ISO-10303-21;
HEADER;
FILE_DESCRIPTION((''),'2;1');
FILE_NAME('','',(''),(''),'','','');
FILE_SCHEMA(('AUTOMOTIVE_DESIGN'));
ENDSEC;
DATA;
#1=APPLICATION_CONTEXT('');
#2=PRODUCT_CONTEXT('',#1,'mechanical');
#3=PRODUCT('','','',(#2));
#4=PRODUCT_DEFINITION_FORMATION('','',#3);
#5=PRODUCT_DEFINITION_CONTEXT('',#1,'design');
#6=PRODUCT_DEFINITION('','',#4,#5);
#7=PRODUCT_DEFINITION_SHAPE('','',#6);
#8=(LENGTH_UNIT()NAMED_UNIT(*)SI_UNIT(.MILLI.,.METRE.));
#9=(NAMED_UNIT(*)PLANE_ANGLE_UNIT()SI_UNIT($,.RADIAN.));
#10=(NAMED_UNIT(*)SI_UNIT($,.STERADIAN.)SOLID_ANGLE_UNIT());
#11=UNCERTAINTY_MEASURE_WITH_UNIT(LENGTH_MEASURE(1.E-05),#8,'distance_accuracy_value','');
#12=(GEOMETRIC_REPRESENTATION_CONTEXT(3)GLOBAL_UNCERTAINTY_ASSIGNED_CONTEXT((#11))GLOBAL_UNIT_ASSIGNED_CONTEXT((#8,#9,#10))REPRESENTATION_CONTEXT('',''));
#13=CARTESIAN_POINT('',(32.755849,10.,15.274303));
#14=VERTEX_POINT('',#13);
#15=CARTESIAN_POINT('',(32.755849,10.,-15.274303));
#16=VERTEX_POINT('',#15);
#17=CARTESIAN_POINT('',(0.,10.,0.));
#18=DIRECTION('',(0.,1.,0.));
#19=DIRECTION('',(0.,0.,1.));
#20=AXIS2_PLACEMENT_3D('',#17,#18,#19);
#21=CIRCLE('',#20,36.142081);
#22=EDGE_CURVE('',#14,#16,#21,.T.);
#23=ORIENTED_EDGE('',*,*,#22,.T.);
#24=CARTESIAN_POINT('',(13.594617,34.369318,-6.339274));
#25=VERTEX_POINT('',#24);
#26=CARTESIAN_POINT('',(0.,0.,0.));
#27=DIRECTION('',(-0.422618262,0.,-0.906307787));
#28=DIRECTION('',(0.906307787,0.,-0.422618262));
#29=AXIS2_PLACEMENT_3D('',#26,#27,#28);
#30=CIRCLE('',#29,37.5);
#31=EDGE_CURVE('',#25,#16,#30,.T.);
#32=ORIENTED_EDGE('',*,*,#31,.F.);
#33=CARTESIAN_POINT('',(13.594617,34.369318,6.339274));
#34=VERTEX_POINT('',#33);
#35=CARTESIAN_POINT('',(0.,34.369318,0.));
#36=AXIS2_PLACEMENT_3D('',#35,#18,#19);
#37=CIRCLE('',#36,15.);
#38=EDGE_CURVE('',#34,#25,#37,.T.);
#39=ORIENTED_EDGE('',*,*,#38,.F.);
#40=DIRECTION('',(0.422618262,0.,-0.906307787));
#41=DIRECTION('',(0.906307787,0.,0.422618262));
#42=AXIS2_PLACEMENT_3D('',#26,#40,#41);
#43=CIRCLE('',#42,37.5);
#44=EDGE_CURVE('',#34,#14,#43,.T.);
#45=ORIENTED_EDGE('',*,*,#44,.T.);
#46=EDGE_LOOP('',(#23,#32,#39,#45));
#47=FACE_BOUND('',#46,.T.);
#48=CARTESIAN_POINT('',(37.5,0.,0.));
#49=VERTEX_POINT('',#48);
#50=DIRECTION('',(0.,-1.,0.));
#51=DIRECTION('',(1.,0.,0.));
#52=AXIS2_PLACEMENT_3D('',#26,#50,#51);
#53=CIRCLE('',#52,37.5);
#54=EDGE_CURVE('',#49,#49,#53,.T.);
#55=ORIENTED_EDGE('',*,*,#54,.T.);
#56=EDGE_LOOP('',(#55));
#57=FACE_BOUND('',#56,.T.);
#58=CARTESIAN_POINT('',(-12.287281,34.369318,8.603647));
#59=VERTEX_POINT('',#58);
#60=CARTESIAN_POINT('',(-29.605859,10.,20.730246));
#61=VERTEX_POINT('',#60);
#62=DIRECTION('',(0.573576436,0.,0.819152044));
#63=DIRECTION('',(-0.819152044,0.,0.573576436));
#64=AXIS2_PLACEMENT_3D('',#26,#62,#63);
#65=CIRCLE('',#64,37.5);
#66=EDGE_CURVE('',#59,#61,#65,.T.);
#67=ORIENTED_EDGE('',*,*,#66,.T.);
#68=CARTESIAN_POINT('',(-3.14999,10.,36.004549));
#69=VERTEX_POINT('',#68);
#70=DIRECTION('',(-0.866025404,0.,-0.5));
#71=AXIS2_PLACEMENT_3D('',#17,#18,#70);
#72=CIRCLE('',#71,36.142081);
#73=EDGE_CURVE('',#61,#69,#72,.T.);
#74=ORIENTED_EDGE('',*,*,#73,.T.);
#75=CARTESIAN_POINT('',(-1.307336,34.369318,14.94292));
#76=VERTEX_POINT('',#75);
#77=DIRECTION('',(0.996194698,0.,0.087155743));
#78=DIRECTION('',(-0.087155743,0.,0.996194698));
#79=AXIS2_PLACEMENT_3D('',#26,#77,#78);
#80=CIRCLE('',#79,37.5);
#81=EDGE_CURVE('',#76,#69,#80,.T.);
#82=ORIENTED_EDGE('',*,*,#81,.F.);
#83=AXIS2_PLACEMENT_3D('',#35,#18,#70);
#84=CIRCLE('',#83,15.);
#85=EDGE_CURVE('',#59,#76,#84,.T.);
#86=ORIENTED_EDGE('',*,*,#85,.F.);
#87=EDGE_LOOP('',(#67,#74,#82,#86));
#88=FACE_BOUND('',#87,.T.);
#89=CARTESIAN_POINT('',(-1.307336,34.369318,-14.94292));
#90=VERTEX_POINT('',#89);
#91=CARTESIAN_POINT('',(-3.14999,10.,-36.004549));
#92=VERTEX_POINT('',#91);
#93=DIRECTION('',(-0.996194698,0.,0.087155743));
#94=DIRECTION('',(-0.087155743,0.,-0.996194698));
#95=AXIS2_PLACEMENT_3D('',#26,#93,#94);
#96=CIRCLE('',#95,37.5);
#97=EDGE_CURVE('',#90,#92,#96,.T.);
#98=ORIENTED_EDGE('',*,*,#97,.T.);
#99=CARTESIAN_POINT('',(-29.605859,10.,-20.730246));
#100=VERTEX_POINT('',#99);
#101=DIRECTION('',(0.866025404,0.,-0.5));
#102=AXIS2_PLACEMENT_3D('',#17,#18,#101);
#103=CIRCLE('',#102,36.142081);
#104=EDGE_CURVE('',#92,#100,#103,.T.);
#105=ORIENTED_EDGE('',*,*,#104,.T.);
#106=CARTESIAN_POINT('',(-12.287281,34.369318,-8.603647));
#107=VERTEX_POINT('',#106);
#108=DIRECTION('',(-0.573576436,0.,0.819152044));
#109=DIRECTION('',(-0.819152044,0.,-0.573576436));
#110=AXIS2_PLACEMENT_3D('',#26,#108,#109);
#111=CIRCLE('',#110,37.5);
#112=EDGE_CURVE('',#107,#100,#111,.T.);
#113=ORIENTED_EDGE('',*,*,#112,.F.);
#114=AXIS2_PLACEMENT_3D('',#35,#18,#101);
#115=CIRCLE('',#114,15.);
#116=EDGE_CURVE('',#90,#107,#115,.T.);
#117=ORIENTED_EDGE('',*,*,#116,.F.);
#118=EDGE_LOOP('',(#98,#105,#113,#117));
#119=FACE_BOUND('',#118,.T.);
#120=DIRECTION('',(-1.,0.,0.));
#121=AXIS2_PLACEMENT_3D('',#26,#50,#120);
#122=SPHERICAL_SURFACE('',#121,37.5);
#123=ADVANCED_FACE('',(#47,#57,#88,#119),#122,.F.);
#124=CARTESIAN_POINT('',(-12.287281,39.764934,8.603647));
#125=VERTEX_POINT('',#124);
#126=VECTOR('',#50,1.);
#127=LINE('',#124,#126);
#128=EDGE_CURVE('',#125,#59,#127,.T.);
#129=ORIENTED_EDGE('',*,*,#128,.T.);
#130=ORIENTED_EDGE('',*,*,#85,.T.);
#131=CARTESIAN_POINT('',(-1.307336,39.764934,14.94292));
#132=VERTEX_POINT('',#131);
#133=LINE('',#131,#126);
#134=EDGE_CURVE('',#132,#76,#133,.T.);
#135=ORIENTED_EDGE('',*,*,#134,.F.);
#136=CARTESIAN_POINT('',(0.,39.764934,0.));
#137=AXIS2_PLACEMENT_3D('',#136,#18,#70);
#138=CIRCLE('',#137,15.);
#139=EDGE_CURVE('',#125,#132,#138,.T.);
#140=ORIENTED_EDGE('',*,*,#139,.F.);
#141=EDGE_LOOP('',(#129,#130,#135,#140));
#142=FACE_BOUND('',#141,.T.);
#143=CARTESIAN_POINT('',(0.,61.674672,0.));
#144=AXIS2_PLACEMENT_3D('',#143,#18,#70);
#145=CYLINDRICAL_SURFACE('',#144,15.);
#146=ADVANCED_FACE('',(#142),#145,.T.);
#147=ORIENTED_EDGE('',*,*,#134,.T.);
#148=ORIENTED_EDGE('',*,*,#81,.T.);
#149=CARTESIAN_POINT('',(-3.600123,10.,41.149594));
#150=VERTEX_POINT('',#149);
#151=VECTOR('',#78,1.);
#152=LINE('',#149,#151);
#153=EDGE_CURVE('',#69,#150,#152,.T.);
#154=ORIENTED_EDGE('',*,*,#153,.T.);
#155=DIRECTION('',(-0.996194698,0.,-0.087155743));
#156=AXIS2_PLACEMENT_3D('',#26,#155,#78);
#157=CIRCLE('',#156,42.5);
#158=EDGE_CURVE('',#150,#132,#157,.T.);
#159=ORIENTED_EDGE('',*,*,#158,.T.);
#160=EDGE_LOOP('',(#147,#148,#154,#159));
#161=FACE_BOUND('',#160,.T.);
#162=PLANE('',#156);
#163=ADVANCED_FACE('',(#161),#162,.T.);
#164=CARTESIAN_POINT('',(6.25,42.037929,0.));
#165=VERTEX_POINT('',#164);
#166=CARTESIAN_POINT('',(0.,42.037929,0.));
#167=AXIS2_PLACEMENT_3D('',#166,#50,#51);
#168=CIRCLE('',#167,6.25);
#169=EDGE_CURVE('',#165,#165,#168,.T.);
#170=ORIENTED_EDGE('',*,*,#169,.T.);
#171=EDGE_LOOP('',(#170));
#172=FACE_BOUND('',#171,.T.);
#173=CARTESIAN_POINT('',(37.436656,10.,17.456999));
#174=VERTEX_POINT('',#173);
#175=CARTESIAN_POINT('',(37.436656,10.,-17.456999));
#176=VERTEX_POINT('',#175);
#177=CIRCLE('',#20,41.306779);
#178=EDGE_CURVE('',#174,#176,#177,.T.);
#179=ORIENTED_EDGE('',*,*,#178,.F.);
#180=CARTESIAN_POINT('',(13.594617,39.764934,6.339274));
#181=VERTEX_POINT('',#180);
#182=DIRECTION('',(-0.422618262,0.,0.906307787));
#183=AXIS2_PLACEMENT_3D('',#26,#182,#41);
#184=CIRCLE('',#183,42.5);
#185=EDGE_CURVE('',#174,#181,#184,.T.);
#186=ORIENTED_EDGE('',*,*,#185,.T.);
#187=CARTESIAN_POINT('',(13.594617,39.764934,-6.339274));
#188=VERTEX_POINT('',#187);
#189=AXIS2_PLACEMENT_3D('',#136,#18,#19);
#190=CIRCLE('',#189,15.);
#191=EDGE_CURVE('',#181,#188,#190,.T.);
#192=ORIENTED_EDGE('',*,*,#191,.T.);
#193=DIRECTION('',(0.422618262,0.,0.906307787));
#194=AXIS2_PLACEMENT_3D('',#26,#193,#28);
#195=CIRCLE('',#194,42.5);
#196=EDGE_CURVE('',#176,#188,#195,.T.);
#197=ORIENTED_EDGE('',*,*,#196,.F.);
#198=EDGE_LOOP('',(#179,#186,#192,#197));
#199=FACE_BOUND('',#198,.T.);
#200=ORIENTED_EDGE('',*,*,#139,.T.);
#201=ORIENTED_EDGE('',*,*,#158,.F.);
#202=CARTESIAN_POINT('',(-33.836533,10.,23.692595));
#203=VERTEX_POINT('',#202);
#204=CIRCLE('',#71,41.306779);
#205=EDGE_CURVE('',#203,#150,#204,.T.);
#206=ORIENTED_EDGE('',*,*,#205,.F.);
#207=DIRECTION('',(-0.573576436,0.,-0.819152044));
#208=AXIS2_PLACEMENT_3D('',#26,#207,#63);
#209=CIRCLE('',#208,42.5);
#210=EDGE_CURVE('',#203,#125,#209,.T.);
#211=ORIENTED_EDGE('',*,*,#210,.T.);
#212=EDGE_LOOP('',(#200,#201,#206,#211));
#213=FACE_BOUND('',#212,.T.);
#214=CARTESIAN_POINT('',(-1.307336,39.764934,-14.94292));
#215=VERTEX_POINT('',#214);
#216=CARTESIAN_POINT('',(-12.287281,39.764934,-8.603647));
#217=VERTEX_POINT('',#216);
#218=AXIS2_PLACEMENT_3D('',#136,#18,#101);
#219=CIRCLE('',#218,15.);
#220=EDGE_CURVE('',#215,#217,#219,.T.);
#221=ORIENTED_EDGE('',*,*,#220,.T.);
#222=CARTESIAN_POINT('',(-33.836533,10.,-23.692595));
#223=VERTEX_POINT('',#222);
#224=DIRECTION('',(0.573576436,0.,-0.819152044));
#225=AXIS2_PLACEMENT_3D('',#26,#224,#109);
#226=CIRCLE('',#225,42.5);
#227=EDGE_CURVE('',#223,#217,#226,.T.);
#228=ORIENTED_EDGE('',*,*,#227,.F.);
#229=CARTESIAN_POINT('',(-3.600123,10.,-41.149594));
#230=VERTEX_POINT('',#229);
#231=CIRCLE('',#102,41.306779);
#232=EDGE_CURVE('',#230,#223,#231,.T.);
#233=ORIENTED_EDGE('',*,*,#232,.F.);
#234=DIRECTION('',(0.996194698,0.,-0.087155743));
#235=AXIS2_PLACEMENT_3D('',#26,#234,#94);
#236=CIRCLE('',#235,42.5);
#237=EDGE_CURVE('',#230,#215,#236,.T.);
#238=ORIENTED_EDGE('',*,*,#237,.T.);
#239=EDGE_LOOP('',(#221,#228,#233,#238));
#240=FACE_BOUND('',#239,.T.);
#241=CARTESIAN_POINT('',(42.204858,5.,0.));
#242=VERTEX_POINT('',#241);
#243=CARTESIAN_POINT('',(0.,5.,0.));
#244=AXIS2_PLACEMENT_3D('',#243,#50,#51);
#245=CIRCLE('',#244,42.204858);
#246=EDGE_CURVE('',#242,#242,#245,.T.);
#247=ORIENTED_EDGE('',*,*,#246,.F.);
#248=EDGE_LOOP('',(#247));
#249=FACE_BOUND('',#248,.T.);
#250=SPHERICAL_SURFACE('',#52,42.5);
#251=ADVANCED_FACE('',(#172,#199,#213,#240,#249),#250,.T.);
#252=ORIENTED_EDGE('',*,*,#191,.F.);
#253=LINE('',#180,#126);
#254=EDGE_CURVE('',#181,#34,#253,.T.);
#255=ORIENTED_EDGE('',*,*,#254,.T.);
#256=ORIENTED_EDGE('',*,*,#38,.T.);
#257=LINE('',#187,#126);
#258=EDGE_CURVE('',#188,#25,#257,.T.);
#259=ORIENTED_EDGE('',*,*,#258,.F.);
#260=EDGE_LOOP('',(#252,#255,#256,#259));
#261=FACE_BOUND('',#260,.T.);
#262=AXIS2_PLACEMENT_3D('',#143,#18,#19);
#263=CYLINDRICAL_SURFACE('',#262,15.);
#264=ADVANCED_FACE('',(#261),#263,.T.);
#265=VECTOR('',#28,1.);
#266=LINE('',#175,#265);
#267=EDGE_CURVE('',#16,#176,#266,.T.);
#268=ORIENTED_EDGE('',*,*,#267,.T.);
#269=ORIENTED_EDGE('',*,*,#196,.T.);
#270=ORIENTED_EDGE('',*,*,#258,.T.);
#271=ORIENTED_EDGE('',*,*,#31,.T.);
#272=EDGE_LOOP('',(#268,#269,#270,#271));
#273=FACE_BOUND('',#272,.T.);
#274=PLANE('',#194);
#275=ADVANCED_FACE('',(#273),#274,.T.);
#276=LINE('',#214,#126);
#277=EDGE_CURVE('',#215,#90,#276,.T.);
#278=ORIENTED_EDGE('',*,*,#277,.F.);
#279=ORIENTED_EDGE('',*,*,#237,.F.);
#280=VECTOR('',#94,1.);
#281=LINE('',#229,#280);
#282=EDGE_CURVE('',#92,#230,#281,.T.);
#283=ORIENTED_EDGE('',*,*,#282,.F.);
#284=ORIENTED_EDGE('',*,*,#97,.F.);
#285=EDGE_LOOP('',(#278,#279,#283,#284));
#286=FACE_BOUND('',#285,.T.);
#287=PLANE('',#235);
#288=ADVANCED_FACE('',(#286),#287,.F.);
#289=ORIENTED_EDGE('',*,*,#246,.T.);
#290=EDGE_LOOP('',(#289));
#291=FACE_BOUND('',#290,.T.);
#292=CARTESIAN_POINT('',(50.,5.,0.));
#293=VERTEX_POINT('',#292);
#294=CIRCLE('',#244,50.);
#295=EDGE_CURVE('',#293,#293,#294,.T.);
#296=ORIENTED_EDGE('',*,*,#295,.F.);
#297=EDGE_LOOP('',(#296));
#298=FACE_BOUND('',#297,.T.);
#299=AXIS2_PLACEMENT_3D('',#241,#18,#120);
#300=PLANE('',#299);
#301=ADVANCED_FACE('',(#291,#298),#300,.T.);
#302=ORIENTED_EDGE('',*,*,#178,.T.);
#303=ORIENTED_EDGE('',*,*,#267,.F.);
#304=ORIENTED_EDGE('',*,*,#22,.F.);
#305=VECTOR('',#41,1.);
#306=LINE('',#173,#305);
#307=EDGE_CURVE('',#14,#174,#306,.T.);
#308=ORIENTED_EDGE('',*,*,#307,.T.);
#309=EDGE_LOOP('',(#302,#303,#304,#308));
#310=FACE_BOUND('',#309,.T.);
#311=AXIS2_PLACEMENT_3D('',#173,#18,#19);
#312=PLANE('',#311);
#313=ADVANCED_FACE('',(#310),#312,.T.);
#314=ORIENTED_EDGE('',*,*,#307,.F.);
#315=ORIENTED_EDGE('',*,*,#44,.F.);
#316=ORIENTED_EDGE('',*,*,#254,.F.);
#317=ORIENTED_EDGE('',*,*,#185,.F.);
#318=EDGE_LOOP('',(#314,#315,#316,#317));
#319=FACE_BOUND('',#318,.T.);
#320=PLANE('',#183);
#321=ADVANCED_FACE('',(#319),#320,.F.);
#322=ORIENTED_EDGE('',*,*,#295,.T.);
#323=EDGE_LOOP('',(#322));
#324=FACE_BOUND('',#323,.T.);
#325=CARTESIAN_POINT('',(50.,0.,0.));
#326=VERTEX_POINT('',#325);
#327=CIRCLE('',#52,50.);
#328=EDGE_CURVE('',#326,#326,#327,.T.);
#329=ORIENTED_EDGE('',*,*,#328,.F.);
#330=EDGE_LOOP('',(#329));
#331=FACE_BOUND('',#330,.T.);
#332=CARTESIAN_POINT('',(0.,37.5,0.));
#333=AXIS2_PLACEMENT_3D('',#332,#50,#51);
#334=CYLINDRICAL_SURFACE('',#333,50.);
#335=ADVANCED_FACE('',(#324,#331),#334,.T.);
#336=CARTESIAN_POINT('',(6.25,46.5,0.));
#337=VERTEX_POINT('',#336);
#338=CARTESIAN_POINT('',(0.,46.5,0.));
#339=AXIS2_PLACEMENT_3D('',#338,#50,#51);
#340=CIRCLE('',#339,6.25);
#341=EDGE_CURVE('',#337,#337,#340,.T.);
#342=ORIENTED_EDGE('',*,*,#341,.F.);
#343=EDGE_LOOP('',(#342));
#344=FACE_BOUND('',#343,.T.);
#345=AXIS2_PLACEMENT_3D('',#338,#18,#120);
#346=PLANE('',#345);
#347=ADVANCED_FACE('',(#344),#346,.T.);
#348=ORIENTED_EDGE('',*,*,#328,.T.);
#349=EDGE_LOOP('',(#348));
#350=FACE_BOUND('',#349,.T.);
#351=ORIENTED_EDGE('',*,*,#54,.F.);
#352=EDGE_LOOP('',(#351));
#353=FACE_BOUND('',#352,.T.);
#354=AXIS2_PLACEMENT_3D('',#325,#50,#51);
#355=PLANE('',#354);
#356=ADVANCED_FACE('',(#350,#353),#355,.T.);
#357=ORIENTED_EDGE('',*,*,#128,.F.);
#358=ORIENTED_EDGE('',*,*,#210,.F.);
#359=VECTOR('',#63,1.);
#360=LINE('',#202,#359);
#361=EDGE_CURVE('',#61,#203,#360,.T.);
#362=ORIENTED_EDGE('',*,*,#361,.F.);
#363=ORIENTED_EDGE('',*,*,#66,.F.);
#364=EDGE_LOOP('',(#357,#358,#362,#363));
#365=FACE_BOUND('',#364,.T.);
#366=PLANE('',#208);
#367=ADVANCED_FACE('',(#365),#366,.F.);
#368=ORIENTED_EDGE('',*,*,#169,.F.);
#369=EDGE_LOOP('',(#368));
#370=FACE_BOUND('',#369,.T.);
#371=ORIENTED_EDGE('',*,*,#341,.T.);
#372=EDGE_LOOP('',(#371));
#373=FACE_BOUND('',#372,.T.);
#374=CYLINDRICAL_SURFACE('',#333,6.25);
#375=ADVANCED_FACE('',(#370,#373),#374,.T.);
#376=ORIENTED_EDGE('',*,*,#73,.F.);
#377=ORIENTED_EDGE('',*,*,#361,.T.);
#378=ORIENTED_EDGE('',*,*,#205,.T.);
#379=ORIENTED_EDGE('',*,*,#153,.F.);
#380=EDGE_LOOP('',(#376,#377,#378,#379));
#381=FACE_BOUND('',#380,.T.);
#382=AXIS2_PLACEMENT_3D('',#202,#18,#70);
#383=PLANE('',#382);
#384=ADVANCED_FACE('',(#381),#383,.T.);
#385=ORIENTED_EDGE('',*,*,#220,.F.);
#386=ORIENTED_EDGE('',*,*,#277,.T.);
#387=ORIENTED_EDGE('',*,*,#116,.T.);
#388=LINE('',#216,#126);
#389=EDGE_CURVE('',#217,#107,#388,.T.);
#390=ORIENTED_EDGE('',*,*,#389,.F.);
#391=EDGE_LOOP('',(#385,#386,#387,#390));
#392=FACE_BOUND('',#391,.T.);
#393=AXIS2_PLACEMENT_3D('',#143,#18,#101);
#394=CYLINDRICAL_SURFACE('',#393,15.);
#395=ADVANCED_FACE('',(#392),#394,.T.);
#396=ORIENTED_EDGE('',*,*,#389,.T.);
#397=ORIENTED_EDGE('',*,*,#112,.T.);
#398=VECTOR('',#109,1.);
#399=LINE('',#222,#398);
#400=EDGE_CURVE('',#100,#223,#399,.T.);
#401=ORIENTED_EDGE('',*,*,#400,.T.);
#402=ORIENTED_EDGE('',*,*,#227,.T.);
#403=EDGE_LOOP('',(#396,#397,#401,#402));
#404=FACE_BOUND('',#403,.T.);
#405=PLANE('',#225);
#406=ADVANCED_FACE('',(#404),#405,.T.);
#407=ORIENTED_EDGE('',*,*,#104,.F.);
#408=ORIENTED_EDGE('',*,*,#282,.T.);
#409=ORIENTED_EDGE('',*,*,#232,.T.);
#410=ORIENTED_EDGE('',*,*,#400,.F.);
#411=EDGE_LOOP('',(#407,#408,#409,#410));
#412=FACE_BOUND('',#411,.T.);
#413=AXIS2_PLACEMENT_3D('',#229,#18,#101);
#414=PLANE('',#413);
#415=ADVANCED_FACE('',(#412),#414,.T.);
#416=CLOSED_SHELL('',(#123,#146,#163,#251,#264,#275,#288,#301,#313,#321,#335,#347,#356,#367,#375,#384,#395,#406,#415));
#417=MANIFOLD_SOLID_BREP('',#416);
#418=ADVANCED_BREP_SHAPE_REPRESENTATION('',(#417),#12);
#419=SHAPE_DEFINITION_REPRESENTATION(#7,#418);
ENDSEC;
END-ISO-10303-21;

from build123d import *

# Parameters (mm, degrees)
CUT_REVOLVE_1_ANGLE      = 50
PATTERN_CIRCULAR_1_COUNT = 3


with BuildPart() as part:
    # 草图1 → 旋转1 (revolve)
    with BuildSketch(Plane.XY):
        with BuildLine():
            Line((0, 37.5), (0, 46.5))
            Line((0, 46.5), (6.25, 46.5))
            Line((6.25, 46.5), (6.25, 42.037929302))
            ThreePointArc((6.25, 42.037929302), (30.49459553, 29.60286546), (42.20485754, 5))
            Line((42.20485754, 5), (50, 5))
            Line((50, 5), (50, 0))
            Line((50, 0), (37.5, 0))
            ThreePointArc((37.5, 0), (26.516504294, 26.516504294), (0, 37.5))
        make_face()
    revolve(axis=Axis((0, 37.5, 0), (0, 1, 0)))

    # 草图2 → 切除-旋转1 (revolve, symmetric, cut)
    with BuildSketch(Plane.XY) as cut_revolve_1_sk:
        with BuildLine():
            Line((15, 39.764934301), (15, 34.369317712))
            ThreePointArc((15, 34.369317712), (28.325677697, 24.574498632), (36.142080737, 10))
            Line((36.142080737, 10), (41.306779105, 10))
            ThreePointArc((41.306779105, 10), (31.844955201, 28.145138625), (15, 39.764934301))
        make_face()
    cut_revolve_1 = revolve(axis=Axis((0, 61.674672097, 0), (0, -1, 0)), revolution_arc=CUT_REVOLVE_1_ANGLE / 2, mode=Mode.SUBTRACT)
    cut_revolve_1 = cut_revolve_1 + revolve(cut_revolve_1_sk.sketch, axis=Axis((0, 61.674672097, 0), (0, 1, 0)), revolution_arc=CUT_REVOLVE_1_ANGLE / 2, mode=Mode.SUBTRACT)

    # 阵列(圆周)1: 切除-旋转1 ×3 about axis
    pattern_circular_1_axis = Axis((0, 0, 0), (0, 1, 0))
    for i in range(1, PATTERN_CIRCULAR_1_COUNT):
        add(cut_revolve_1.rotate(pattern_circular_1_axis, i * 360 / PATTERN_CIRCULAR_1_COUNT), mode=Mode.SUBTRACT)


solid = part.part
